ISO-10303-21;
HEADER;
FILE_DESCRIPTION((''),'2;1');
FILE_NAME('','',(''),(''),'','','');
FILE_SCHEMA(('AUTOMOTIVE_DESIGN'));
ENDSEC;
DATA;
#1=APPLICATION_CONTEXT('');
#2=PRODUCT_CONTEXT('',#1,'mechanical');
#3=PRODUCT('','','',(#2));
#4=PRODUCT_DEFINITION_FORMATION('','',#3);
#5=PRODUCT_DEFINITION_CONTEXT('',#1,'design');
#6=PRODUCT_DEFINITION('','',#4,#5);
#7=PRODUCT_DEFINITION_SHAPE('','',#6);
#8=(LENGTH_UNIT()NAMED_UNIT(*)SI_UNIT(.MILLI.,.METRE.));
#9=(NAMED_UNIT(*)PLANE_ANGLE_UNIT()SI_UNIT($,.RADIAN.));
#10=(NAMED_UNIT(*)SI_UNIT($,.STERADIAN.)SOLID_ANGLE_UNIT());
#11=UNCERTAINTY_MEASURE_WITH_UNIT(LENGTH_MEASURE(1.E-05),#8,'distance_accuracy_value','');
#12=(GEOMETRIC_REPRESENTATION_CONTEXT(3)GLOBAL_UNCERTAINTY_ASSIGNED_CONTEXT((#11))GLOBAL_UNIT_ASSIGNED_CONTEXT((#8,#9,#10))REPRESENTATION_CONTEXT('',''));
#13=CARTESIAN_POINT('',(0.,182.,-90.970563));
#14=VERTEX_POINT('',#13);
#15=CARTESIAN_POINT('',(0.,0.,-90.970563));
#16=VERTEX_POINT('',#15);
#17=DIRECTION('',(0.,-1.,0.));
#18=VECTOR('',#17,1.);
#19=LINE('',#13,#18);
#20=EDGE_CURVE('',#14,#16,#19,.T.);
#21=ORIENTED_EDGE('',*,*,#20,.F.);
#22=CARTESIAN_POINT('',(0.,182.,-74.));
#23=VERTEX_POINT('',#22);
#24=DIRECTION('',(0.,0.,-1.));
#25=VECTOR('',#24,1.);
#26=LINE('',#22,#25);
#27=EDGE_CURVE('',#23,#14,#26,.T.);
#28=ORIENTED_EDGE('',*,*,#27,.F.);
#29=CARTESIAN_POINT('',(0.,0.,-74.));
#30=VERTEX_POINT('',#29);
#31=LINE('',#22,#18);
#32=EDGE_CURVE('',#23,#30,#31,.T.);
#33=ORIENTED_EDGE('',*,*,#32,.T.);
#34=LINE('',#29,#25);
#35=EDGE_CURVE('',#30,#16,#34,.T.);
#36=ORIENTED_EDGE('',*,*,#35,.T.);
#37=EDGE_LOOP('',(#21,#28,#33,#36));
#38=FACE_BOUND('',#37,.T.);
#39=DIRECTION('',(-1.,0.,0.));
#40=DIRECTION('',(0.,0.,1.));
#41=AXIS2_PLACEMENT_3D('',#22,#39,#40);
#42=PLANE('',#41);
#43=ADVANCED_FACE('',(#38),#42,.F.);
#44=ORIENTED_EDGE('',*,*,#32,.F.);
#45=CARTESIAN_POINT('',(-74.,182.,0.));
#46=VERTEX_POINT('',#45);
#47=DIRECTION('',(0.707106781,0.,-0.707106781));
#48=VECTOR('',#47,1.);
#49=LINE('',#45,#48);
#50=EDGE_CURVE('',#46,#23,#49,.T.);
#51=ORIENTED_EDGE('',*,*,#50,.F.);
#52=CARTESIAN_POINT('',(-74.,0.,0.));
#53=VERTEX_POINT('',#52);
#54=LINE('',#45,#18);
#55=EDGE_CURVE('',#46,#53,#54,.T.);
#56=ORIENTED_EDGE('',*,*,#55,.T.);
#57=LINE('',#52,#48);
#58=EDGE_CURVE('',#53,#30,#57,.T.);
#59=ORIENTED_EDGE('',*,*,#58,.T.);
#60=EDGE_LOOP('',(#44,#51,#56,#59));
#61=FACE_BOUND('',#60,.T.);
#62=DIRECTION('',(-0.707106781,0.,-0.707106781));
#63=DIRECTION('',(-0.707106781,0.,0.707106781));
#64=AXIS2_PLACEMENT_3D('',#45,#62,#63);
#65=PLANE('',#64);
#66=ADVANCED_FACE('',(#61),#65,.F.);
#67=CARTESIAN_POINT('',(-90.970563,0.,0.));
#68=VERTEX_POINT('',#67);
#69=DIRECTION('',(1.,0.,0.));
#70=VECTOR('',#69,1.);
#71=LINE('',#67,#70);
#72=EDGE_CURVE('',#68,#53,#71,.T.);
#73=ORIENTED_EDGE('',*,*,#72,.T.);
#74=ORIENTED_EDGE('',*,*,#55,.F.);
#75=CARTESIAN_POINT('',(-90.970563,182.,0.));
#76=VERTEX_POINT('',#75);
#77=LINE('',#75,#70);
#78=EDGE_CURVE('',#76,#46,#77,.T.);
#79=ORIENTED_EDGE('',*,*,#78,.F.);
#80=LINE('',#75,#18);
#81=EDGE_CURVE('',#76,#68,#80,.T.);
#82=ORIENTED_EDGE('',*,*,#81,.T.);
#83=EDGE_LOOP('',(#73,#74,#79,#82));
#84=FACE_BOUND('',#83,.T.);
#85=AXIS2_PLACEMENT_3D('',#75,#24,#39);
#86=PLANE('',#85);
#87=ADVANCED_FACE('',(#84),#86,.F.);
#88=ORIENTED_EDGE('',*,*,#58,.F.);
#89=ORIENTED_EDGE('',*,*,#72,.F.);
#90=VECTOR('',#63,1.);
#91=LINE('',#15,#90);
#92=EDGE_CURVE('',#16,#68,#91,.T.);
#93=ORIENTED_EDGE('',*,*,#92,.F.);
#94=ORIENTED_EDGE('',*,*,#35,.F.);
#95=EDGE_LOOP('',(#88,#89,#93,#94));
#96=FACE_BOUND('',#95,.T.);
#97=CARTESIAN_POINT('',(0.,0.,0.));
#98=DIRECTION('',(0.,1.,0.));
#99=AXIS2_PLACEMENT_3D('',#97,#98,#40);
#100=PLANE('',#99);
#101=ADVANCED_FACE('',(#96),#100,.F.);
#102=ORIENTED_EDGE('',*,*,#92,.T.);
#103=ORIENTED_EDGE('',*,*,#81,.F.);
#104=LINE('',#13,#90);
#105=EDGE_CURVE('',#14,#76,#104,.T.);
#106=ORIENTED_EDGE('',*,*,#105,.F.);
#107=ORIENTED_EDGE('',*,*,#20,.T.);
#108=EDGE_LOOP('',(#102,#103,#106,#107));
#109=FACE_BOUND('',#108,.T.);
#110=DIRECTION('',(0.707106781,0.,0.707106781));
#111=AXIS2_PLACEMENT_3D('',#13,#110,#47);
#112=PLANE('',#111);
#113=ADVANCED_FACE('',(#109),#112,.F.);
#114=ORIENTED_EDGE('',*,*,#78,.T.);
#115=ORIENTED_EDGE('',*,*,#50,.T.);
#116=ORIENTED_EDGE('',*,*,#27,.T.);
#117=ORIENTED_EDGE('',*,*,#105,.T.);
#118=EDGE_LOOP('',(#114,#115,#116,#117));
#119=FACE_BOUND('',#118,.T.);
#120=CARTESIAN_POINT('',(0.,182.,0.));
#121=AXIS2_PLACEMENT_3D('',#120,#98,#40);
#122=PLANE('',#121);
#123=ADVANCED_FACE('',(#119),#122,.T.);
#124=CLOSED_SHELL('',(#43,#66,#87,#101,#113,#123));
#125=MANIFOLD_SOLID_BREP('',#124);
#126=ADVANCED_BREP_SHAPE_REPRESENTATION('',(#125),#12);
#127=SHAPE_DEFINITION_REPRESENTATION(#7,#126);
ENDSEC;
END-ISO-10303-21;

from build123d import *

# Parameters (mm, degrees)
BOSS_EXTRUDE1_DEPTH = 182


with BuildPart() as part:
    # Sketch1 → Boss-Extrude1 (new body)
    with BuildSketch(Plane(origin=(0, 0, 0), x_dir=(1, 0, 0), z_dir=(0, 1, 0))):
        Polygon((-74, 0), (0, 74), (0, 90.970562748), (-90.970562748, 0), align=None)
    extrude(amount=BOSS_EXTRUDE1_DEPTH)


solid = part.part
